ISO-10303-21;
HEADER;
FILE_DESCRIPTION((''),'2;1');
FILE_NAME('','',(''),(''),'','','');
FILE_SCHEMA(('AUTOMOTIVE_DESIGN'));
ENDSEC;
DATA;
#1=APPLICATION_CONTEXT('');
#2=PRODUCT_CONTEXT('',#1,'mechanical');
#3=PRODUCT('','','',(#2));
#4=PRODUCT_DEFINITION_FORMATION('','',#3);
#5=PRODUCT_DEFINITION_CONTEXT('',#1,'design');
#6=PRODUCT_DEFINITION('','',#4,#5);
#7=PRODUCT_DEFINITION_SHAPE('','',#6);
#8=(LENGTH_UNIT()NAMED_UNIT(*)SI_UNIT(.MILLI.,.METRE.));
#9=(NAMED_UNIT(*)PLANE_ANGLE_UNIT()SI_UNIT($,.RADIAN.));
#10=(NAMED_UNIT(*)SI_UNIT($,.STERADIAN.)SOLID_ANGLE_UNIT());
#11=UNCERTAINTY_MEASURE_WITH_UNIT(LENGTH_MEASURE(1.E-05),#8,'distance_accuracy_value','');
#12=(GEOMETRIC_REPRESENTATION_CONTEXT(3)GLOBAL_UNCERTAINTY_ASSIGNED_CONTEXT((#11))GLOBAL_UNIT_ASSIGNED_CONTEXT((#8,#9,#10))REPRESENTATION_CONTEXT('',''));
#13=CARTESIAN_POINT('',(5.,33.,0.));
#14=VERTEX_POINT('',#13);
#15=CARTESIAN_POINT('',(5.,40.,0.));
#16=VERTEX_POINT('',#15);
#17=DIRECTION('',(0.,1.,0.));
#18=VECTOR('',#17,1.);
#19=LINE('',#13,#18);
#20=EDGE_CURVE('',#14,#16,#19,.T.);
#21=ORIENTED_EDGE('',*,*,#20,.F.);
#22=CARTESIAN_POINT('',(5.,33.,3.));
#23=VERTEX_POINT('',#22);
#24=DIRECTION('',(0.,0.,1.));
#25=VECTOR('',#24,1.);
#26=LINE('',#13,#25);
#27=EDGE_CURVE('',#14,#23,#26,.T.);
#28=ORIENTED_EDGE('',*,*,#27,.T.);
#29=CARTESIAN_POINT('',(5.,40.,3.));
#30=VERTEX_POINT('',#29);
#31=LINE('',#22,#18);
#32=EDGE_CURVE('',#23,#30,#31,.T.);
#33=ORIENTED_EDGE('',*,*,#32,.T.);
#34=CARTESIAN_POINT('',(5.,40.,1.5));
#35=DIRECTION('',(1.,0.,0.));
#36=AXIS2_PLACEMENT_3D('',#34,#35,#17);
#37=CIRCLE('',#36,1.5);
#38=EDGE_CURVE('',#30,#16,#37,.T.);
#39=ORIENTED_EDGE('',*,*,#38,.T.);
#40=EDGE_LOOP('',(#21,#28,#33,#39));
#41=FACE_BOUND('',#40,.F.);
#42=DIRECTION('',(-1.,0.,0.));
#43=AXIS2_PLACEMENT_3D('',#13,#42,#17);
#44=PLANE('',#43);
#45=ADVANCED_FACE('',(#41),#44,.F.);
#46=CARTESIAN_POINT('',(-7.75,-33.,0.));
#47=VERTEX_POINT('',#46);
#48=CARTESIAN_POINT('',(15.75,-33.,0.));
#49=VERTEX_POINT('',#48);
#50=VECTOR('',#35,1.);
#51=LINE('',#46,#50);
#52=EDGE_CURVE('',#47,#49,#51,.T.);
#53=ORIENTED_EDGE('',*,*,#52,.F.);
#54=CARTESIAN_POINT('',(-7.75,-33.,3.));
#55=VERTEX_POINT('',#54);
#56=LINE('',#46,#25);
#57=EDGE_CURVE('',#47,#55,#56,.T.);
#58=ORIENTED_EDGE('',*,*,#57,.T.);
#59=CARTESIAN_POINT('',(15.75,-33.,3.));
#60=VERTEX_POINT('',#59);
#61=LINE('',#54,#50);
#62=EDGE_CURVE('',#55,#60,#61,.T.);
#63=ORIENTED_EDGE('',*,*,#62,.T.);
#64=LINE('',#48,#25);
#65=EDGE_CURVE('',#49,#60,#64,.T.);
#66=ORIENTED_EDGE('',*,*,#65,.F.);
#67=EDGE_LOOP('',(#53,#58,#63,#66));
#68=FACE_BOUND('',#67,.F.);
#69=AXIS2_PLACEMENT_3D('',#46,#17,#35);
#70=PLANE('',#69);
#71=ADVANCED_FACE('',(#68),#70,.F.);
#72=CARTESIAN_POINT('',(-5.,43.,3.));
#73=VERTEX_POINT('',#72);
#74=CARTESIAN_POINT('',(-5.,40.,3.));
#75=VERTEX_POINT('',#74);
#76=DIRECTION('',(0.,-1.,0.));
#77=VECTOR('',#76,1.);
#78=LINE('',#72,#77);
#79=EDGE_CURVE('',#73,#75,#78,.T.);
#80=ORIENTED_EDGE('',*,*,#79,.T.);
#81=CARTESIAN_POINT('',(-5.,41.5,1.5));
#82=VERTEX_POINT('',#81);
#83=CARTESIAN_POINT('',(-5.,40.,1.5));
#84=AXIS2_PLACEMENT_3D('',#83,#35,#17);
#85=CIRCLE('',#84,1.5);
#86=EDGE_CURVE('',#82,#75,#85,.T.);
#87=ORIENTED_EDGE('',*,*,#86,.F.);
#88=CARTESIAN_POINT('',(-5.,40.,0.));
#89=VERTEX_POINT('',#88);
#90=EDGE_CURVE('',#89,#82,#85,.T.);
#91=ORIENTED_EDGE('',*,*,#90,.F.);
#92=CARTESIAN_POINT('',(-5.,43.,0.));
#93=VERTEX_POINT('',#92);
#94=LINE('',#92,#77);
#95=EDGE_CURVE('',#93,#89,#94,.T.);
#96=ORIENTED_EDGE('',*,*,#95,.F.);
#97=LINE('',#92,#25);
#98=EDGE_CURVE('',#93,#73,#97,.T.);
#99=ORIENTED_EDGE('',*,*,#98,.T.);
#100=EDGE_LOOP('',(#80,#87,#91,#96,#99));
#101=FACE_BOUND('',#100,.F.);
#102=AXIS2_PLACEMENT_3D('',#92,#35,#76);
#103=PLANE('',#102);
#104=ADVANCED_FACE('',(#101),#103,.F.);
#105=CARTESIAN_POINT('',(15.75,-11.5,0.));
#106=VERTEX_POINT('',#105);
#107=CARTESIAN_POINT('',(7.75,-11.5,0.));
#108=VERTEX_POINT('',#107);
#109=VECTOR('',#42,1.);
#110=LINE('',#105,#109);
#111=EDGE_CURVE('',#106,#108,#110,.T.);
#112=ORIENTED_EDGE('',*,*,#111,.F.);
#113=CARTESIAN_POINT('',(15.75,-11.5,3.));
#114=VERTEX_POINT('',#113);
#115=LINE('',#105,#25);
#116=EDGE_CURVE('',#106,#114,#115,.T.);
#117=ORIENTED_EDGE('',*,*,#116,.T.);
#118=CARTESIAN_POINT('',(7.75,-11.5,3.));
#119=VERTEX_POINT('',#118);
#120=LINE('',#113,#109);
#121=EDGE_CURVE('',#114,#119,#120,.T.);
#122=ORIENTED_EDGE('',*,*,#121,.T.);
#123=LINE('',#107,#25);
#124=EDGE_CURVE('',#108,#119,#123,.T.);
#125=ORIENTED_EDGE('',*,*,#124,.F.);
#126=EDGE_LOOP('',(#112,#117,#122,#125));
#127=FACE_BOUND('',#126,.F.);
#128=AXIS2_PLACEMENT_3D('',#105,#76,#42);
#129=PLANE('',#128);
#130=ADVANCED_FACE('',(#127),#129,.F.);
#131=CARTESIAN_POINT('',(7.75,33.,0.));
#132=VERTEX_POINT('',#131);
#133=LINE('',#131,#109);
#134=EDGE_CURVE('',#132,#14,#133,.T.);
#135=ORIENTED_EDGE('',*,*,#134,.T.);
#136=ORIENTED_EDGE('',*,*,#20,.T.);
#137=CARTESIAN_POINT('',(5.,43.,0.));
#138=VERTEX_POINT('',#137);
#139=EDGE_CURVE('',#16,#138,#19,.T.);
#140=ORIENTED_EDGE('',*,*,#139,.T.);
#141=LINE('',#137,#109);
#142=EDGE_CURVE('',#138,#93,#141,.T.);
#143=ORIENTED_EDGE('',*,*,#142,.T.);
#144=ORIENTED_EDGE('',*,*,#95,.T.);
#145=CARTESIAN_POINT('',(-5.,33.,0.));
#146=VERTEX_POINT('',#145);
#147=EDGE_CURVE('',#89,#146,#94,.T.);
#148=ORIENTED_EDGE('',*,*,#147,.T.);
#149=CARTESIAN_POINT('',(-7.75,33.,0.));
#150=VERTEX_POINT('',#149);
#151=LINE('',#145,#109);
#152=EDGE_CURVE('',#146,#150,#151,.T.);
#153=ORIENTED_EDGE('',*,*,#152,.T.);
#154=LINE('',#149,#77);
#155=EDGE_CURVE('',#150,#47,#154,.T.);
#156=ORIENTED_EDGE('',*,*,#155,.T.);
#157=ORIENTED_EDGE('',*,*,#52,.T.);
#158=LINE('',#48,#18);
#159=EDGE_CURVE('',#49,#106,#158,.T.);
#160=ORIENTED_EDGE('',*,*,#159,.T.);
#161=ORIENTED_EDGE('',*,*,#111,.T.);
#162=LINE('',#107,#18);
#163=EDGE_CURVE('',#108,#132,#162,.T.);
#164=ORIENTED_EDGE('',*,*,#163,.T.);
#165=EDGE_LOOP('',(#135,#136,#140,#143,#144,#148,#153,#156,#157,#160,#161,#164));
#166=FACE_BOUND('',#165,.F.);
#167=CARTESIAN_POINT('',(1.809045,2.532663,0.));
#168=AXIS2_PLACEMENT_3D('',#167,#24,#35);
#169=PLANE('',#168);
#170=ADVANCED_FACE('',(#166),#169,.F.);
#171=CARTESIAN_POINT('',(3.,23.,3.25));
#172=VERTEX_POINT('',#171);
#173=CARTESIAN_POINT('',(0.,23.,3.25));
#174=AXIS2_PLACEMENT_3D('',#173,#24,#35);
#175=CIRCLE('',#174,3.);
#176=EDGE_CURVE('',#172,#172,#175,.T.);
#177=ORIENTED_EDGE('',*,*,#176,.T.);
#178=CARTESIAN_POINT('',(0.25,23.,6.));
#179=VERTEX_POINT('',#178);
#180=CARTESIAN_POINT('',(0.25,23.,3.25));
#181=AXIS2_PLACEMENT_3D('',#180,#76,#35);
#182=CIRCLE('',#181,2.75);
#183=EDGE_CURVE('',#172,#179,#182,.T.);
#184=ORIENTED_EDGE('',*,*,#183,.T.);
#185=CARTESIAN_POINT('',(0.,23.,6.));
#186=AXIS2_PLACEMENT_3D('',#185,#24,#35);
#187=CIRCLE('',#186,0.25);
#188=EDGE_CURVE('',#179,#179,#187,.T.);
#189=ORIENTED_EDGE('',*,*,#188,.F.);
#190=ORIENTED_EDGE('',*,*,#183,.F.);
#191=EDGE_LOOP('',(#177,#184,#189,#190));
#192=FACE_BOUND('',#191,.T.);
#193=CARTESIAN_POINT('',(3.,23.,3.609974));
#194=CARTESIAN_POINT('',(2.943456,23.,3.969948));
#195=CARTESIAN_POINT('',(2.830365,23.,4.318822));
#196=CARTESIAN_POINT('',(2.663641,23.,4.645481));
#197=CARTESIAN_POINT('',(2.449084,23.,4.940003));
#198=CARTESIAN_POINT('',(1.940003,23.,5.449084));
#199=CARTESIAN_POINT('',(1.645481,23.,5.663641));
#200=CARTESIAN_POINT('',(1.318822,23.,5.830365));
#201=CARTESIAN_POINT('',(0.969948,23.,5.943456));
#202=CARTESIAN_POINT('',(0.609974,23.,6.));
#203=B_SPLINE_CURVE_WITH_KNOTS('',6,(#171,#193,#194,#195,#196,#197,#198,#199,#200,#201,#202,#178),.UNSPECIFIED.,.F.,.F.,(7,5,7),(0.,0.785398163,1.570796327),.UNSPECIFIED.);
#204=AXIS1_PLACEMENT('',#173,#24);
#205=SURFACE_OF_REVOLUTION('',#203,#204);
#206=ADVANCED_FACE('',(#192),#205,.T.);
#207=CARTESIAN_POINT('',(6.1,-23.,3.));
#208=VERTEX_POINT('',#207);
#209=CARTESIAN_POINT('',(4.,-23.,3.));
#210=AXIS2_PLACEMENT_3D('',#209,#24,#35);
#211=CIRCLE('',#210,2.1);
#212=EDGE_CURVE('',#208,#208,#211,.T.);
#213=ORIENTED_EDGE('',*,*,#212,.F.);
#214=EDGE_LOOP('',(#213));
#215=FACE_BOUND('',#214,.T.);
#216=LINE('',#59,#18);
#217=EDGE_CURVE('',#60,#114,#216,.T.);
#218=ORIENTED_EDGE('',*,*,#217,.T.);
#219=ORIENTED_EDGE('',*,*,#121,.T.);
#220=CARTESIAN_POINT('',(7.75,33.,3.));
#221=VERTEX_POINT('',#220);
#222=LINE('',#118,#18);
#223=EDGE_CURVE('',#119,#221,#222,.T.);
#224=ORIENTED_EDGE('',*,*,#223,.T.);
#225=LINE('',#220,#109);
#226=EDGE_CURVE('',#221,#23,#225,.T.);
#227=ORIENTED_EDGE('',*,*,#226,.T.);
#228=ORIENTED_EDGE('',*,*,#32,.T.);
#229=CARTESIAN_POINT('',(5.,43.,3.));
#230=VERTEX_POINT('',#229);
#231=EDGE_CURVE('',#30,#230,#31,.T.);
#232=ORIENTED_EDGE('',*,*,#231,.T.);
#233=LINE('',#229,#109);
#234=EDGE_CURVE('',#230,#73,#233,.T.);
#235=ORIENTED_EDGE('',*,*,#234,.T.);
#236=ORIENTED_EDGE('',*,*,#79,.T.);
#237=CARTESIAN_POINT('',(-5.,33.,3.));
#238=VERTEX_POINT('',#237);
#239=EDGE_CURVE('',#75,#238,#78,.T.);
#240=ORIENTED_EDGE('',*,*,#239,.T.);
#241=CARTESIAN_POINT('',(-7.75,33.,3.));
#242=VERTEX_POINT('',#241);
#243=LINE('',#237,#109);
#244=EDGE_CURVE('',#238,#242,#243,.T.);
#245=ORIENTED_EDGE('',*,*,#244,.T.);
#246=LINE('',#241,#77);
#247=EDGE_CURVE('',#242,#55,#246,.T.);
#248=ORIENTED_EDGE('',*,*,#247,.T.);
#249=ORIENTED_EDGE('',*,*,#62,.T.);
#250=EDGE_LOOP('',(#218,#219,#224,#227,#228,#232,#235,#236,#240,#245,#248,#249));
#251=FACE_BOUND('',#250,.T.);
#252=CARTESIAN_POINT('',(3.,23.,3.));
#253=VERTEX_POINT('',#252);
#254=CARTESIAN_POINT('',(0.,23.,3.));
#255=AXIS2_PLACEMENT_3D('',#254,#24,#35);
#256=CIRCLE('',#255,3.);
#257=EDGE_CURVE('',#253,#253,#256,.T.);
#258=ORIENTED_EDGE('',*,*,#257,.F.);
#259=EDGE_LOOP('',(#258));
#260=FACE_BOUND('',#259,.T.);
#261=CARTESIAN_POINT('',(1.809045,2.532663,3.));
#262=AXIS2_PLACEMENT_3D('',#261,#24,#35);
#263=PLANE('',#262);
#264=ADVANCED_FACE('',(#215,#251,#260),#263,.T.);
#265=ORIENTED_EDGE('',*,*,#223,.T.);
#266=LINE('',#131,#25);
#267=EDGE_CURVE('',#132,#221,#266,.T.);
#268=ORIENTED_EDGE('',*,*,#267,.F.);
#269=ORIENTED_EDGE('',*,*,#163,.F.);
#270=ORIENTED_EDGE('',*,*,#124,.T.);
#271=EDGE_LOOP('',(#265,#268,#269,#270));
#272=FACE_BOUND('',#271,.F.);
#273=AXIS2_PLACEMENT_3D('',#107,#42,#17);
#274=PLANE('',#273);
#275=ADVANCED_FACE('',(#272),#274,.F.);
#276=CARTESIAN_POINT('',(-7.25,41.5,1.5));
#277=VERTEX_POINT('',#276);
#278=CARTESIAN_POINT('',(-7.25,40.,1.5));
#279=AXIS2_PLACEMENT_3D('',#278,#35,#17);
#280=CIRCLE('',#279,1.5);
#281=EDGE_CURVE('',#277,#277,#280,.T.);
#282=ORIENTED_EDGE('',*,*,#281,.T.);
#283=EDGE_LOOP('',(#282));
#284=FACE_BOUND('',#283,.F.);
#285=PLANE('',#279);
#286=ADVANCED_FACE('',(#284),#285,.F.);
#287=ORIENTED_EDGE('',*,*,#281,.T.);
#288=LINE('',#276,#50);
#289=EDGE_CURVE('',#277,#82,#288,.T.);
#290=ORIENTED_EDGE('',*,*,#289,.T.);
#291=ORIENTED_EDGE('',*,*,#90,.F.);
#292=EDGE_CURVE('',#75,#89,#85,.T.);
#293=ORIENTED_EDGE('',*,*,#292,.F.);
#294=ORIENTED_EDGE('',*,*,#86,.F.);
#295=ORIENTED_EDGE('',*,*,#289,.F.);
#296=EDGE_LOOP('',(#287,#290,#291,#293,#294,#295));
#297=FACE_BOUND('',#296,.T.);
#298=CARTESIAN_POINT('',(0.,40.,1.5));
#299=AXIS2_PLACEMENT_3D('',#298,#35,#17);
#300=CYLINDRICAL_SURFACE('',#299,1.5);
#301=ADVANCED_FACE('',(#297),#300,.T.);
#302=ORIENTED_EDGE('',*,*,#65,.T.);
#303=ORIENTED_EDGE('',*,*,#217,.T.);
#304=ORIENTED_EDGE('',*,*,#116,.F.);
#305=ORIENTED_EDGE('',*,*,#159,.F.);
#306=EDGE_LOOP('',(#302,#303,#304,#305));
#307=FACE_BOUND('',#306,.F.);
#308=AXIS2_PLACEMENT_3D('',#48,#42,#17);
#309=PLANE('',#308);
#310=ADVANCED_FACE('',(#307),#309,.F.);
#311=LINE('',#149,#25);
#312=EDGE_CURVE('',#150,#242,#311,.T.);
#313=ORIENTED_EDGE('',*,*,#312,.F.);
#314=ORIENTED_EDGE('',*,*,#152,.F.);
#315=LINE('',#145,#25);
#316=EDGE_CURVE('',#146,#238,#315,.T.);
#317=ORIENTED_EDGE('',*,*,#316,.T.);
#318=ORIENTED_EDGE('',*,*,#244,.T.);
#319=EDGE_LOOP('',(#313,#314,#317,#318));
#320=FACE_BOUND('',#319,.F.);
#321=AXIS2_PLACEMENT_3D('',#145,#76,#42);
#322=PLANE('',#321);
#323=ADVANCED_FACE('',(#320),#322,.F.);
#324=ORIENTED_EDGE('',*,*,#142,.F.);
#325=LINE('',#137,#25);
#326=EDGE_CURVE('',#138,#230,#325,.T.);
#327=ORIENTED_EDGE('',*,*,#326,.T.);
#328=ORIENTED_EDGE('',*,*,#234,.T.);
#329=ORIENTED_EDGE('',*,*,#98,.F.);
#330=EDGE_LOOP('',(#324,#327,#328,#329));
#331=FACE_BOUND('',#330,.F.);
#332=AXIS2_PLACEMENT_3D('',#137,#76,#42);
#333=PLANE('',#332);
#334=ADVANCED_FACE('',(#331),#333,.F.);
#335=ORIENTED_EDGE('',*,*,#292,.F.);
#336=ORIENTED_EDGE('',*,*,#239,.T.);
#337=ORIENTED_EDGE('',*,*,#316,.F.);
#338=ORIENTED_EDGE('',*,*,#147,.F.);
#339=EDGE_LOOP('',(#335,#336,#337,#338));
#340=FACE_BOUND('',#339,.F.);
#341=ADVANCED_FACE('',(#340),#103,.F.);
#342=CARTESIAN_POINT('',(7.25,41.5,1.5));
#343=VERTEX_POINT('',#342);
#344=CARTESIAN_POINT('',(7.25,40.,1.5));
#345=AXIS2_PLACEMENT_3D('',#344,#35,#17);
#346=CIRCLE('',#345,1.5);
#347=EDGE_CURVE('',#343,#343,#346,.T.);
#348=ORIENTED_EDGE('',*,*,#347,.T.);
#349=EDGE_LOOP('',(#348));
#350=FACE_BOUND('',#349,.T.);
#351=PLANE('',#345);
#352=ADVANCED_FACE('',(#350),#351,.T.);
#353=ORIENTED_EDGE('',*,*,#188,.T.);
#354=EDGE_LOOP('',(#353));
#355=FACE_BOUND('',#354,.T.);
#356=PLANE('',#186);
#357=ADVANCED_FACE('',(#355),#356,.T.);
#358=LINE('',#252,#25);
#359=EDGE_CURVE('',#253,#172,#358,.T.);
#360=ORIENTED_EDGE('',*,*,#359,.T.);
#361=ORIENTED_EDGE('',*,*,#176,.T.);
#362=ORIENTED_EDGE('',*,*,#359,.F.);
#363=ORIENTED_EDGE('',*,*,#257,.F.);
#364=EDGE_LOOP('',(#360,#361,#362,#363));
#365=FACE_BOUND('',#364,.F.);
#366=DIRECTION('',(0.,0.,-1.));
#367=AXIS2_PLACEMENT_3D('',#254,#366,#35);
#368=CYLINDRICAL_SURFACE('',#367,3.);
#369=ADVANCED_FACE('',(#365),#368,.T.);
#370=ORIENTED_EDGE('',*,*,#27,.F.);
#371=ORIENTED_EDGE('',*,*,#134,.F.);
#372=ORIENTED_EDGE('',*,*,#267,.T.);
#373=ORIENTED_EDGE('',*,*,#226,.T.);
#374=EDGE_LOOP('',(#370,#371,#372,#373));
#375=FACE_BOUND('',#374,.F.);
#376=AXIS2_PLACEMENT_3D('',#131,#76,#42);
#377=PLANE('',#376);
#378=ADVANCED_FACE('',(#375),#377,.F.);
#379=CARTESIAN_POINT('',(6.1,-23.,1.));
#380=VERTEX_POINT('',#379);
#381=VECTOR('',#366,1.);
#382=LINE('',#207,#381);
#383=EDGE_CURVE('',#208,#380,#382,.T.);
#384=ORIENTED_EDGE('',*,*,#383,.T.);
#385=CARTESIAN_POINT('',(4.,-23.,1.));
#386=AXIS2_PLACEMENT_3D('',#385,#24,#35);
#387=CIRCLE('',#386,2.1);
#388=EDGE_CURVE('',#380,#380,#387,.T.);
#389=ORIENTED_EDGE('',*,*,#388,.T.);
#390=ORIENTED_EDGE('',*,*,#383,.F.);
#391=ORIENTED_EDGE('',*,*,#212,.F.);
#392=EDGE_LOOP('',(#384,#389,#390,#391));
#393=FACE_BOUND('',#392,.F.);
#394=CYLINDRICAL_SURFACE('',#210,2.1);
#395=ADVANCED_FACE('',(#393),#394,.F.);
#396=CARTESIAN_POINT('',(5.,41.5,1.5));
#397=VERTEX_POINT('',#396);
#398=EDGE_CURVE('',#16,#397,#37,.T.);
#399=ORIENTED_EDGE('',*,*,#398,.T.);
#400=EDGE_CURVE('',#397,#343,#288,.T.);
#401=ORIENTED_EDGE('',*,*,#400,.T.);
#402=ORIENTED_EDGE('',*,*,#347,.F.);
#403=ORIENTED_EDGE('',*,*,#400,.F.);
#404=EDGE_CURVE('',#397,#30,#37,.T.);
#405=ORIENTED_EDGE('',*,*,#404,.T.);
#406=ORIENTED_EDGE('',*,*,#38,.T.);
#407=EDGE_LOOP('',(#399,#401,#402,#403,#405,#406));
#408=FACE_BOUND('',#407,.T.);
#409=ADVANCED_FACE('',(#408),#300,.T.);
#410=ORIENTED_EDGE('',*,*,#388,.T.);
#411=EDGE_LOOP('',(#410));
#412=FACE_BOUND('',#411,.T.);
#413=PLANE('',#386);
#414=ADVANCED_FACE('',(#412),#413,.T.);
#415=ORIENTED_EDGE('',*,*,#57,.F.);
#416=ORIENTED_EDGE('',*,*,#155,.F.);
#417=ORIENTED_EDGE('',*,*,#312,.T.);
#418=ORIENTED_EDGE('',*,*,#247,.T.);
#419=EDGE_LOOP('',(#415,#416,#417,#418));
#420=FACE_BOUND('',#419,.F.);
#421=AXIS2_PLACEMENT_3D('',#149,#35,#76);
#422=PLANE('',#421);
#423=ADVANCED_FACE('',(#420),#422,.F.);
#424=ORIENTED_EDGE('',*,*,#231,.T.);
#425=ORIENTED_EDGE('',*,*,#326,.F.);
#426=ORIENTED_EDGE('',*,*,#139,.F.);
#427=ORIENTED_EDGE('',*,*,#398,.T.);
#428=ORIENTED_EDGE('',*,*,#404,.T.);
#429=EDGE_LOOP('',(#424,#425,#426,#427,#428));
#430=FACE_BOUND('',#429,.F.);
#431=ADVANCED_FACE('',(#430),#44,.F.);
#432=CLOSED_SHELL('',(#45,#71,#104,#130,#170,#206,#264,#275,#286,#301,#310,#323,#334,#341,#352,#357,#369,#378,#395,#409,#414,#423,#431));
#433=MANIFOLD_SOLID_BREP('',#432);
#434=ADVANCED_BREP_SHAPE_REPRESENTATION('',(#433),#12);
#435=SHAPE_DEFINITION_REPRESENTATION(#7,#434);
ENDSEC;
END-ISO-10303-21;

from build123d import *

# Parameters (mm, degrees)
PAD_DEPTH    = 3
SKETCH001_R  = 1.5
PAD001_DEPTH = 7.25
SKETCH002_R  = 2.1
POCKET_DEPTH = 2
SKETCH003_R  = 3
PAD002_DEPTH = 3
FILLET_R     = 2.75


with BuildPart() as part:
    # Sketch → Pad (new body)
    with BuildSketch(Plane.XY):
        Polygon((-7.75, 33), (-7.75, -33), (15.75, -33), (15.75, -11.5), (7.75, -11.5), (7.75, 33), (5, 33), (5, 43), (-5, 43), (-5, 33), align=None)
    extrude(amount=PAD_DEPTH)

    # Sketch001 → Pad001 (join, symmetric)
    with BuildSketch(Plane.YZ):
        with Locations((40, 1.5)):
            Circle(SKETCH001_R)
    extrude(amount=PAD001_DEPTH, both=True)

    # Sketch002 (on Face5 of Pad001) → Pocket (cut)
    with BuildSketch(Plane.XY.offset(3)):
        with Locations((4, -23)):
            Circle(SKETCH002_R)
    extrude(amount=-POCKET_DEPTH, mode=Mode.SUBTRACT)

    # Sketch003 (on Face5 of Pocket) → Pad002 (join)
    with BuildSketch(Plane.XY.offset(3)):
        with Locations((0, 23)):
            Circle(SKETCH003_R)
    extrude(amount=PAD002_DEPTH)

    # Fillet
    fillet_edges = [part.edges().sort_by_distance(p)[0] for p in [
        (-3, 23, 6),
    ]]
    fillet(fillet_edges, radius=FILLET_R)


solid = part.part
